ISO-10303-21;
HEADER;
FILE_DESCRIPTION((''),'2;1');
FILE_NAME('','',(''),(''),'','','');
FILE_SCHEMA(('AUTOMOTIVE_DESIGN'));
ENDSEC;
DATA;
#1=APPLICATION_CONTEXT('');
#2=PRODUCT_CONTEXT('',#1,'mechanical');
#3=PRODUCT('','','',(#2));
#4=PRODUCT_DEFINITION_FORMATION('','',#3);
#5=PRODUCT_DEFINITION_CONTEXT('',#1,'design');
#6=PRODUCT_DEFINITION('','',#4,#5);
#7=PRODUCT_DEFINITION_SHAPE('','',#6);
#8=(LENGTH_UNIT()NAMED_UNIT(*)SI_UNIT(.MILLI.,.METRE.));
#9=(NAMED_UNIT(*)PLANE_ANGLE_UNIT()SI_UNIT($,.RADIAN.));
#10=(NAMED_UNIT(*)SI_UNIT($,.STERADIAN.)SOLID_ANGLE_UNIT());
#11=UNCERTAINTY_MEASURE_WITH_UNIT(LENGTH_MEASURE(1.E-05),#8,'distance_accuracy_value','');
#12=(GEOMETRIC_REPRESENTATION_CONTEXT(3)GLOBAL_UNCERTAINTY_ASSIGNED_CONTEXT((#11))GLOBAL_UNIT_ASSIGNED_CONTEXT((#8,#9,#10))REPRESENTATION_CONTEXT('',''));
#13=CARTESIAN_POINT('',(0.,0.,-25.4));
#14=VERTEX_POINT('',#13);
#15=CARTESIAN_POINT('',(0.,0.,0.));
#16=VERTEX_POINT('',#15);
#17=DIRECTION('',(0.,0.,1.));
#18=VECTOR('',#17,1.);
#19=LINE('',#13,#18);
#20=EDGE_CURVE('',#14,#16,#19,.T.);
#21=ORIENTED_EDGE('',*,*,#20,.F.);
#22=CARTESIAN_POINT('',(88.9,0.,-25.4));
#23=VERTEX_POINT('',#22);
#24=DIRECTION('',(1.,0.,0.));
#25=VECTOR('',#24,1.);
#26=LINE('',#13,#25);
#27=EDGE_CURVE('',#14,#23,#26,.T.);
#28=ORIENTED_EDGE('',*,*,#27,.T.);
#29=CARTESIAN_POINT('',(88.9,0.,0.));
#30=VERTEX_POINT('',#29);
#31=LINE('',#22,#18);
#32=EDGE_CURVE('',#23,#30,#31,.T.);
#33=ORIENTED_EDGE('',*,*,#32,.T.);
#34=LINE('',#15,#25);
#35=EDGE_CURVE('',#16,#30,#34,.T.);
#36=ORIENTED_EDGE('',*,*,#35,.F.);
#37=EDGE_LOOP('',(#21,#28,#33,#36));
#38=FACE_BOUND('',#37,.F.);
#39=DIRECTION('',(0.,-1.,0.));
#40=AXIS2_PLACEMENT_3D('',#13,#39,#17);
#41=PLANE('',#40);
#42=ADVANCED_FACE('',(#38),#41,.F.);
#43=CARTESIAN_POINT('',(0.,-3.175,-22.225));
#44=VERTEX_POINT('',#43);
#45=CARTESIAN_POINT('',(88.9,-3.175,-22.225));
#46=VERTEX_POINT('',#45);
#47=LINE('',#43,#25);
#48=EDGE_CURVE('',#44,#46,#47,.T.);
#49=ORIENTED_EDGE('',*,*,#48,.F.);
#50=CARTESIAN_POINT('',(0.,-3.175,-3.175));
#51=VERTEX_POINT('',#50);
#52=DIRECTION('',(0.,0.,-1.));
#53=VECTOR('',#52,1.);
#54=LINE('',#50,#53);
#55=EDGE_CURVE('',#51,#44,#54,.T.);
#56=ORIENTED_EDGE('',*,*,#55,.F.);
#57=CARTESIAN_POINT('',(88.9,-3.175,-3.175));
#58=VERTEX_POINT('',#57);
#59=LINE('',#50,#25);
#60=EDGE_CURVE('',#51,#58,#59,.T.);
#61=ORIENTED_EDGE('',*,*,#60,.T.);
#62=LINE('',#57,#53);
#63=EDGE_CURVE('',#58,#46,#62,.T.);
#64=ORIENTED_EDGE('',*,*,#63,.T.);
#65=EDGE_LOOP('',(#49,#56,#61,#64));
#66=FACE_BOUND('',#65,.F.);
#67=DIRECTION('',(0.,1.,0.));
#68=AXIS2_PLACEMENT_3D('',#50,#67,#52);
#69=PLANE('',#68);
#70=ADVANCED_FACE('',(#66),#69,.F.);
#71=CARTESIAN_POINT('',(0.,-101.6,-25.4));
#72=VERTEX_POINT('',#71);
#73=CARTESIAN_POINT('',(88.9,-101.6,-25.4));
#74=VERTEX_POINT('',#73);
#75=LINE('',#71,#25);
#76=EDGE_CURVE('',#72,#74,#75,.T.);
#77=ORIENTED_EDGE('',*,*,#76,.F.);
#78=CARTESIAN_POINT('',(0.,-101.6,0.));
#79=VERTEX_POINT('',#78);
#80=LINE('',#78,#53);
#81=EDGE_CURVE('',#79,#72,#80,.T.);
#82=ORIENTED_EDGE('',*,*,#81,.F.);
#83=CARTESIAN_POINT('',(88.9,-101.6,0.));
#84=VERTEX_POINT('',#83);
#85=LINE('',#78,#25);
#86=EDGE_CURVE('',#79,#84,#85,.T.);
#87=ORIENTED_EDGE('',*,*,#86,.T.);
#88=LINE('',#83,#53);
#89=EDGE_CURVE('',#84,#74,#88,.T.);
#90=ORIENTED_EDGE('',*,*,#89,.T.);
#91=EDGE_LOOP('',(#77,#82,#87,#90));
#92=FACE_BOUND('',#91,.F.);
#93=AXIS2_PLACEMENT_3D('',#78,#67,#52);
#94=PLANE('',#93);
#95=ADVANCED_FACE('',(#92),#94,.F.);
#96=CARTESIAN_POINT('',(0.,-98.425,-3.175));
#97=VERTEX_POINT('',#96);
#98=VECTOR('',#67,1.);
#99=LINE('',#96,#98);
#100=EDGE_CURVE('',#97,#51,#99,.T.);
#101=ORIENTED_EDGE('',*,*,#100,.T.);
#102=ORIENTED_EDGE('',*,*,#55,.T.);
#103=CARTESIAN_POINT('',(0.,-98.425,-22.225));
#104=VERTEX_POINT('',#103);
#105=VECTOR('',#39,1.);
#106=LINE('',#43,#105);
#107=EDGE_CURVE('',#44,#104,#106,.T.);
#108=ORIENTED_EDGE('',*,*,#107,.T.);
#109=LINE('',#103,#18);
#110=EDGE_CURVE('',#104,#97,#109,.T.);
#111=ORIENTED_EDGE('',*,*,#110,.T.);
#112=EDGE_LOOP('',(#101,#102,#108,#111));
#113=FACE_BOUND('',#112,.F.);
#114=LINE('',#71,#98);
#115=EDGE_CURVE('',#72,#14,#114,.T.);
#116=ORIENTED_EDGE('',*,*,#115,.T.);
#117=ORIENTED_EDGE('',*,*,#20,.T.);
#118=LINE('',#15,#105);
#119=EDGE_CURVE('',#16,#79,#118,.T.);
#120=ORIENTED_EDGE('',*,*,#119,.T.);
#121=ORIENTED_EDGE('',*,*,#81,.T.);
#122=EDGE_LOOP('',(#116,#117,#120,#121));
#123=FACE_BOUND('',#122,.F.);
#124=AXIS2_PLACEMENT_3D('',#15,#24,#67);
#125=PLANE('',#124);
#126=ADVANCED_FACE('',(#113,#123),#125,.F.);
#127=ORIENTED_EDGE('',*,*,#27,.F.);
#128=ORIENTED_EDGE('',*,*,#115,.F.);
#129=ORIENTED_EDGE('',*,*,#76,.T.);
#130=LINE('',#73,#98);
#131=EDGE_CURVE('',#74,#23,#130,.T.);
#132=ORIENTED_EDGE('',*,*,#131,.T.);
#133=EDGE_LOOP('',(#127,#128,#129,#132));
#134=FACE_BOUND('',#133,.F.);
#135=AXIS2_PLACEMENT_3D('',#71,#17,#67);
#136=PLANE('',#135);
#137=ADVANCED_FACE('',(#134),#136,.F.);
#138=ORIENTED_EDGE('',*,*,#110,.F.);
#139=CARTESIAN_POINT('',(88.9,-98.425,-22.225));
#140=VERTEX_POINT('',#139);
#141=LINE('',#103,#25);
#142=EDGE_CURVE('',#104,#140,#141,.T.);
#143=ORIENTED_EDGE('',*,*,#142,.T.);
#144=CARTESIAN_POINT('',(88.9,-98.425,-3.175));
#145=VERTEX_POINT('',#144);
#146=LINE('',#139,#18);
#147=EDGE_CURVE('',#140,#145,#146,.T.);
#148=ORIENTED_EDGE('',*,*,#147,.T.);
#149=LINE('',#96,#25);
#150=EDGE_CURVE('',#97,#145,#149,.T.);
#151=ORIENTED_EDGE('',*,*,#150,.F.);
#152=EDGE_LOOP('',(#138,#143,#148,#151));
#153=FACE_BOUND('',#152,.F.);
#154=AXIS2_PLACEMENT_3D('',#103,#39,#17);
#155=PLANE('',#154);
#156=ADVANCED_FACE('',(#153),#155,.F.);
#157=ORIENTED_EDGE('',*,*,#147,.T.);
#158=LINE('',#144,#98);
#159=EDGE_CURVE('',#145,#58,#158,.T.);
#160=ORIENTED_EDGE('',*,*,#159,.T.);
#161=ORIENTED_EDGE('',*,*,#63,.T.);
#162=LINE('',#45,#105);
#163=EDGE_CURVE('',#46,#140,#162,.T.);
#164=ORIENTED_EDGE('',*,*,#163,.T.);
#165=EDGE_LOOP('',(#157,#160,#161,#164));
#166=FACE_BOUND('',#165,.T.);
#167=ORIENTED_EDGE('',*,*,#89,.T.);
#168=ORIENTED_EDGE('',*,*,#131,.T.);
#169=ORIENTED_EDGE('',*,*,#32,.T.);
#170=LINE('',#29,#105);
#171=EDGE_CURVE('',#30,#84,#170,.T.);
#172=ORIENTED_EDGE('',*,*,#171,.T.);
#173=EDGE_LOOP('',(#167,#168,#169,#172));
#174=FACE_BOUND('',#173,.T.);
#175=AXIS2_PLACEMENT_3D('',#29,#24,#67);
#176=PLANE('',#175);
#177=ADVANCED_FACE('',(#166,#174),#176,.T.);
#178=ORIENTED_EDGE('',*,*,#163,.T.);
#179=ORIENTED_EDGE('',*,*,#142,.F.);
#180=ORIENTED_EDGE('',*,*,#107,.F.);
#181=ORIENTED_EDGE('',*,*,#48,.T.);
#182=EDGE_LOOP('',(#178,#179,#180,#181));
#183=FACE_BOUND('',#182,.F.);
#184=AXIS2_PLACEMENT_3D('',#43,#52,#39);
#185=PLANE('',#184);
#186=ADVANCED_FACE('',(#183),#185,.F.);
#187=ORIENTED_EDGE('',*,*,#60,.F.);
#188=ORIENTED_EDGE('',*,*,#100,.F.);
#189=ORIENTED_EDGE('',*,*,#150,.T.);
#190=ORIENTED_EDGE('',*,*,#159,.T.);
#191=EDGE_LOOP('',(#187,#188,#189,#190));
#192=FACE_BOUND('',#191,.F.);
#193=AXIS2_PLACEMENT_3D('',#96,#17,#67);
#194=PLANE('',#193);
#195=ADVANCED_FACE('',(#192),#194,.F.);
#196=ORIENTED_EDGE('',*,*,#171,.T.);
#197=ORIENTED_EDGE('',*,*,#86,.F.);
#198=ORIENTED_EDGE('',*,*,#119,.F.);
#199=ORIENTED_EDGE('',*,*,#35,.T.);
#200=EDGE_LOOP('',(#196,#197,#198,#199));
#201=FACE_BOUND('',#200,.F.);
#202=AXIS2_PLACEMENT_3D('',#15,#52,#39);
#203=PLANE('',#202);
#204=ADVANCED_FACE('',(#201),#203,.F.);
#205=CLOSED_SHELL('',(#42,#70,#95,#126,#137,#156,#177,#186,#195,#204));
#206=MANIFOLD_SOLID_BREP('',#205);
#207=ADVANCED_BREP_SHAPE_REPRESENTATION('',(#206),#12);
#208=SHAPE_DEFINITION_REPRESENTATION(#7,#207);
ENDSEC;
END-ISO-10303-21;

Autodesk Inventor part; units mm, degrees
ref_plane "YZ Plane" through (0, 0, 0) normal (1, 0, 0) x (0, 1, 0)
ref_plane "XZ Plane" through (0, 0, 0) normal (0, 1, 0) x (-1, 0, 0)
ref_plane "XY Plane" through (0, 0, 0) normal (0, 0, 1) x (1, 0, 0)
sketch "Sketch1" plane through (0, 0, 0) normal (1, 0, 0) x (0, 1, 0)
  line L0 (0, 0) -> (-101.6, 0)
  line L1 (-101.6, 0) -> (-101.6, -25.4)
  line L2 (-101.6, -25.4) -> (0, -25.4)
  line L3 (0, -25.4) -> (0, 0)
  line L4 (-98.425, -22.225) -> (-98.425, -3.175)
  line L5 (-98.425, -3.175) -> (-3.175, -3.175)
  line L6 (-3.175, -3.175) -> (-3.175, -22.225)
  line L7 (-3.175, -22.225) -> (-98.425, -22.225)
  dimension "d0" = 101.6
  dimension "d1" = 25.4
  dimension "d2" = 3.175
extrude "Extrusion1" add sketch "Sketch1" along normal blind 88.9
properties part number "4x1 2.5 in box beam"
